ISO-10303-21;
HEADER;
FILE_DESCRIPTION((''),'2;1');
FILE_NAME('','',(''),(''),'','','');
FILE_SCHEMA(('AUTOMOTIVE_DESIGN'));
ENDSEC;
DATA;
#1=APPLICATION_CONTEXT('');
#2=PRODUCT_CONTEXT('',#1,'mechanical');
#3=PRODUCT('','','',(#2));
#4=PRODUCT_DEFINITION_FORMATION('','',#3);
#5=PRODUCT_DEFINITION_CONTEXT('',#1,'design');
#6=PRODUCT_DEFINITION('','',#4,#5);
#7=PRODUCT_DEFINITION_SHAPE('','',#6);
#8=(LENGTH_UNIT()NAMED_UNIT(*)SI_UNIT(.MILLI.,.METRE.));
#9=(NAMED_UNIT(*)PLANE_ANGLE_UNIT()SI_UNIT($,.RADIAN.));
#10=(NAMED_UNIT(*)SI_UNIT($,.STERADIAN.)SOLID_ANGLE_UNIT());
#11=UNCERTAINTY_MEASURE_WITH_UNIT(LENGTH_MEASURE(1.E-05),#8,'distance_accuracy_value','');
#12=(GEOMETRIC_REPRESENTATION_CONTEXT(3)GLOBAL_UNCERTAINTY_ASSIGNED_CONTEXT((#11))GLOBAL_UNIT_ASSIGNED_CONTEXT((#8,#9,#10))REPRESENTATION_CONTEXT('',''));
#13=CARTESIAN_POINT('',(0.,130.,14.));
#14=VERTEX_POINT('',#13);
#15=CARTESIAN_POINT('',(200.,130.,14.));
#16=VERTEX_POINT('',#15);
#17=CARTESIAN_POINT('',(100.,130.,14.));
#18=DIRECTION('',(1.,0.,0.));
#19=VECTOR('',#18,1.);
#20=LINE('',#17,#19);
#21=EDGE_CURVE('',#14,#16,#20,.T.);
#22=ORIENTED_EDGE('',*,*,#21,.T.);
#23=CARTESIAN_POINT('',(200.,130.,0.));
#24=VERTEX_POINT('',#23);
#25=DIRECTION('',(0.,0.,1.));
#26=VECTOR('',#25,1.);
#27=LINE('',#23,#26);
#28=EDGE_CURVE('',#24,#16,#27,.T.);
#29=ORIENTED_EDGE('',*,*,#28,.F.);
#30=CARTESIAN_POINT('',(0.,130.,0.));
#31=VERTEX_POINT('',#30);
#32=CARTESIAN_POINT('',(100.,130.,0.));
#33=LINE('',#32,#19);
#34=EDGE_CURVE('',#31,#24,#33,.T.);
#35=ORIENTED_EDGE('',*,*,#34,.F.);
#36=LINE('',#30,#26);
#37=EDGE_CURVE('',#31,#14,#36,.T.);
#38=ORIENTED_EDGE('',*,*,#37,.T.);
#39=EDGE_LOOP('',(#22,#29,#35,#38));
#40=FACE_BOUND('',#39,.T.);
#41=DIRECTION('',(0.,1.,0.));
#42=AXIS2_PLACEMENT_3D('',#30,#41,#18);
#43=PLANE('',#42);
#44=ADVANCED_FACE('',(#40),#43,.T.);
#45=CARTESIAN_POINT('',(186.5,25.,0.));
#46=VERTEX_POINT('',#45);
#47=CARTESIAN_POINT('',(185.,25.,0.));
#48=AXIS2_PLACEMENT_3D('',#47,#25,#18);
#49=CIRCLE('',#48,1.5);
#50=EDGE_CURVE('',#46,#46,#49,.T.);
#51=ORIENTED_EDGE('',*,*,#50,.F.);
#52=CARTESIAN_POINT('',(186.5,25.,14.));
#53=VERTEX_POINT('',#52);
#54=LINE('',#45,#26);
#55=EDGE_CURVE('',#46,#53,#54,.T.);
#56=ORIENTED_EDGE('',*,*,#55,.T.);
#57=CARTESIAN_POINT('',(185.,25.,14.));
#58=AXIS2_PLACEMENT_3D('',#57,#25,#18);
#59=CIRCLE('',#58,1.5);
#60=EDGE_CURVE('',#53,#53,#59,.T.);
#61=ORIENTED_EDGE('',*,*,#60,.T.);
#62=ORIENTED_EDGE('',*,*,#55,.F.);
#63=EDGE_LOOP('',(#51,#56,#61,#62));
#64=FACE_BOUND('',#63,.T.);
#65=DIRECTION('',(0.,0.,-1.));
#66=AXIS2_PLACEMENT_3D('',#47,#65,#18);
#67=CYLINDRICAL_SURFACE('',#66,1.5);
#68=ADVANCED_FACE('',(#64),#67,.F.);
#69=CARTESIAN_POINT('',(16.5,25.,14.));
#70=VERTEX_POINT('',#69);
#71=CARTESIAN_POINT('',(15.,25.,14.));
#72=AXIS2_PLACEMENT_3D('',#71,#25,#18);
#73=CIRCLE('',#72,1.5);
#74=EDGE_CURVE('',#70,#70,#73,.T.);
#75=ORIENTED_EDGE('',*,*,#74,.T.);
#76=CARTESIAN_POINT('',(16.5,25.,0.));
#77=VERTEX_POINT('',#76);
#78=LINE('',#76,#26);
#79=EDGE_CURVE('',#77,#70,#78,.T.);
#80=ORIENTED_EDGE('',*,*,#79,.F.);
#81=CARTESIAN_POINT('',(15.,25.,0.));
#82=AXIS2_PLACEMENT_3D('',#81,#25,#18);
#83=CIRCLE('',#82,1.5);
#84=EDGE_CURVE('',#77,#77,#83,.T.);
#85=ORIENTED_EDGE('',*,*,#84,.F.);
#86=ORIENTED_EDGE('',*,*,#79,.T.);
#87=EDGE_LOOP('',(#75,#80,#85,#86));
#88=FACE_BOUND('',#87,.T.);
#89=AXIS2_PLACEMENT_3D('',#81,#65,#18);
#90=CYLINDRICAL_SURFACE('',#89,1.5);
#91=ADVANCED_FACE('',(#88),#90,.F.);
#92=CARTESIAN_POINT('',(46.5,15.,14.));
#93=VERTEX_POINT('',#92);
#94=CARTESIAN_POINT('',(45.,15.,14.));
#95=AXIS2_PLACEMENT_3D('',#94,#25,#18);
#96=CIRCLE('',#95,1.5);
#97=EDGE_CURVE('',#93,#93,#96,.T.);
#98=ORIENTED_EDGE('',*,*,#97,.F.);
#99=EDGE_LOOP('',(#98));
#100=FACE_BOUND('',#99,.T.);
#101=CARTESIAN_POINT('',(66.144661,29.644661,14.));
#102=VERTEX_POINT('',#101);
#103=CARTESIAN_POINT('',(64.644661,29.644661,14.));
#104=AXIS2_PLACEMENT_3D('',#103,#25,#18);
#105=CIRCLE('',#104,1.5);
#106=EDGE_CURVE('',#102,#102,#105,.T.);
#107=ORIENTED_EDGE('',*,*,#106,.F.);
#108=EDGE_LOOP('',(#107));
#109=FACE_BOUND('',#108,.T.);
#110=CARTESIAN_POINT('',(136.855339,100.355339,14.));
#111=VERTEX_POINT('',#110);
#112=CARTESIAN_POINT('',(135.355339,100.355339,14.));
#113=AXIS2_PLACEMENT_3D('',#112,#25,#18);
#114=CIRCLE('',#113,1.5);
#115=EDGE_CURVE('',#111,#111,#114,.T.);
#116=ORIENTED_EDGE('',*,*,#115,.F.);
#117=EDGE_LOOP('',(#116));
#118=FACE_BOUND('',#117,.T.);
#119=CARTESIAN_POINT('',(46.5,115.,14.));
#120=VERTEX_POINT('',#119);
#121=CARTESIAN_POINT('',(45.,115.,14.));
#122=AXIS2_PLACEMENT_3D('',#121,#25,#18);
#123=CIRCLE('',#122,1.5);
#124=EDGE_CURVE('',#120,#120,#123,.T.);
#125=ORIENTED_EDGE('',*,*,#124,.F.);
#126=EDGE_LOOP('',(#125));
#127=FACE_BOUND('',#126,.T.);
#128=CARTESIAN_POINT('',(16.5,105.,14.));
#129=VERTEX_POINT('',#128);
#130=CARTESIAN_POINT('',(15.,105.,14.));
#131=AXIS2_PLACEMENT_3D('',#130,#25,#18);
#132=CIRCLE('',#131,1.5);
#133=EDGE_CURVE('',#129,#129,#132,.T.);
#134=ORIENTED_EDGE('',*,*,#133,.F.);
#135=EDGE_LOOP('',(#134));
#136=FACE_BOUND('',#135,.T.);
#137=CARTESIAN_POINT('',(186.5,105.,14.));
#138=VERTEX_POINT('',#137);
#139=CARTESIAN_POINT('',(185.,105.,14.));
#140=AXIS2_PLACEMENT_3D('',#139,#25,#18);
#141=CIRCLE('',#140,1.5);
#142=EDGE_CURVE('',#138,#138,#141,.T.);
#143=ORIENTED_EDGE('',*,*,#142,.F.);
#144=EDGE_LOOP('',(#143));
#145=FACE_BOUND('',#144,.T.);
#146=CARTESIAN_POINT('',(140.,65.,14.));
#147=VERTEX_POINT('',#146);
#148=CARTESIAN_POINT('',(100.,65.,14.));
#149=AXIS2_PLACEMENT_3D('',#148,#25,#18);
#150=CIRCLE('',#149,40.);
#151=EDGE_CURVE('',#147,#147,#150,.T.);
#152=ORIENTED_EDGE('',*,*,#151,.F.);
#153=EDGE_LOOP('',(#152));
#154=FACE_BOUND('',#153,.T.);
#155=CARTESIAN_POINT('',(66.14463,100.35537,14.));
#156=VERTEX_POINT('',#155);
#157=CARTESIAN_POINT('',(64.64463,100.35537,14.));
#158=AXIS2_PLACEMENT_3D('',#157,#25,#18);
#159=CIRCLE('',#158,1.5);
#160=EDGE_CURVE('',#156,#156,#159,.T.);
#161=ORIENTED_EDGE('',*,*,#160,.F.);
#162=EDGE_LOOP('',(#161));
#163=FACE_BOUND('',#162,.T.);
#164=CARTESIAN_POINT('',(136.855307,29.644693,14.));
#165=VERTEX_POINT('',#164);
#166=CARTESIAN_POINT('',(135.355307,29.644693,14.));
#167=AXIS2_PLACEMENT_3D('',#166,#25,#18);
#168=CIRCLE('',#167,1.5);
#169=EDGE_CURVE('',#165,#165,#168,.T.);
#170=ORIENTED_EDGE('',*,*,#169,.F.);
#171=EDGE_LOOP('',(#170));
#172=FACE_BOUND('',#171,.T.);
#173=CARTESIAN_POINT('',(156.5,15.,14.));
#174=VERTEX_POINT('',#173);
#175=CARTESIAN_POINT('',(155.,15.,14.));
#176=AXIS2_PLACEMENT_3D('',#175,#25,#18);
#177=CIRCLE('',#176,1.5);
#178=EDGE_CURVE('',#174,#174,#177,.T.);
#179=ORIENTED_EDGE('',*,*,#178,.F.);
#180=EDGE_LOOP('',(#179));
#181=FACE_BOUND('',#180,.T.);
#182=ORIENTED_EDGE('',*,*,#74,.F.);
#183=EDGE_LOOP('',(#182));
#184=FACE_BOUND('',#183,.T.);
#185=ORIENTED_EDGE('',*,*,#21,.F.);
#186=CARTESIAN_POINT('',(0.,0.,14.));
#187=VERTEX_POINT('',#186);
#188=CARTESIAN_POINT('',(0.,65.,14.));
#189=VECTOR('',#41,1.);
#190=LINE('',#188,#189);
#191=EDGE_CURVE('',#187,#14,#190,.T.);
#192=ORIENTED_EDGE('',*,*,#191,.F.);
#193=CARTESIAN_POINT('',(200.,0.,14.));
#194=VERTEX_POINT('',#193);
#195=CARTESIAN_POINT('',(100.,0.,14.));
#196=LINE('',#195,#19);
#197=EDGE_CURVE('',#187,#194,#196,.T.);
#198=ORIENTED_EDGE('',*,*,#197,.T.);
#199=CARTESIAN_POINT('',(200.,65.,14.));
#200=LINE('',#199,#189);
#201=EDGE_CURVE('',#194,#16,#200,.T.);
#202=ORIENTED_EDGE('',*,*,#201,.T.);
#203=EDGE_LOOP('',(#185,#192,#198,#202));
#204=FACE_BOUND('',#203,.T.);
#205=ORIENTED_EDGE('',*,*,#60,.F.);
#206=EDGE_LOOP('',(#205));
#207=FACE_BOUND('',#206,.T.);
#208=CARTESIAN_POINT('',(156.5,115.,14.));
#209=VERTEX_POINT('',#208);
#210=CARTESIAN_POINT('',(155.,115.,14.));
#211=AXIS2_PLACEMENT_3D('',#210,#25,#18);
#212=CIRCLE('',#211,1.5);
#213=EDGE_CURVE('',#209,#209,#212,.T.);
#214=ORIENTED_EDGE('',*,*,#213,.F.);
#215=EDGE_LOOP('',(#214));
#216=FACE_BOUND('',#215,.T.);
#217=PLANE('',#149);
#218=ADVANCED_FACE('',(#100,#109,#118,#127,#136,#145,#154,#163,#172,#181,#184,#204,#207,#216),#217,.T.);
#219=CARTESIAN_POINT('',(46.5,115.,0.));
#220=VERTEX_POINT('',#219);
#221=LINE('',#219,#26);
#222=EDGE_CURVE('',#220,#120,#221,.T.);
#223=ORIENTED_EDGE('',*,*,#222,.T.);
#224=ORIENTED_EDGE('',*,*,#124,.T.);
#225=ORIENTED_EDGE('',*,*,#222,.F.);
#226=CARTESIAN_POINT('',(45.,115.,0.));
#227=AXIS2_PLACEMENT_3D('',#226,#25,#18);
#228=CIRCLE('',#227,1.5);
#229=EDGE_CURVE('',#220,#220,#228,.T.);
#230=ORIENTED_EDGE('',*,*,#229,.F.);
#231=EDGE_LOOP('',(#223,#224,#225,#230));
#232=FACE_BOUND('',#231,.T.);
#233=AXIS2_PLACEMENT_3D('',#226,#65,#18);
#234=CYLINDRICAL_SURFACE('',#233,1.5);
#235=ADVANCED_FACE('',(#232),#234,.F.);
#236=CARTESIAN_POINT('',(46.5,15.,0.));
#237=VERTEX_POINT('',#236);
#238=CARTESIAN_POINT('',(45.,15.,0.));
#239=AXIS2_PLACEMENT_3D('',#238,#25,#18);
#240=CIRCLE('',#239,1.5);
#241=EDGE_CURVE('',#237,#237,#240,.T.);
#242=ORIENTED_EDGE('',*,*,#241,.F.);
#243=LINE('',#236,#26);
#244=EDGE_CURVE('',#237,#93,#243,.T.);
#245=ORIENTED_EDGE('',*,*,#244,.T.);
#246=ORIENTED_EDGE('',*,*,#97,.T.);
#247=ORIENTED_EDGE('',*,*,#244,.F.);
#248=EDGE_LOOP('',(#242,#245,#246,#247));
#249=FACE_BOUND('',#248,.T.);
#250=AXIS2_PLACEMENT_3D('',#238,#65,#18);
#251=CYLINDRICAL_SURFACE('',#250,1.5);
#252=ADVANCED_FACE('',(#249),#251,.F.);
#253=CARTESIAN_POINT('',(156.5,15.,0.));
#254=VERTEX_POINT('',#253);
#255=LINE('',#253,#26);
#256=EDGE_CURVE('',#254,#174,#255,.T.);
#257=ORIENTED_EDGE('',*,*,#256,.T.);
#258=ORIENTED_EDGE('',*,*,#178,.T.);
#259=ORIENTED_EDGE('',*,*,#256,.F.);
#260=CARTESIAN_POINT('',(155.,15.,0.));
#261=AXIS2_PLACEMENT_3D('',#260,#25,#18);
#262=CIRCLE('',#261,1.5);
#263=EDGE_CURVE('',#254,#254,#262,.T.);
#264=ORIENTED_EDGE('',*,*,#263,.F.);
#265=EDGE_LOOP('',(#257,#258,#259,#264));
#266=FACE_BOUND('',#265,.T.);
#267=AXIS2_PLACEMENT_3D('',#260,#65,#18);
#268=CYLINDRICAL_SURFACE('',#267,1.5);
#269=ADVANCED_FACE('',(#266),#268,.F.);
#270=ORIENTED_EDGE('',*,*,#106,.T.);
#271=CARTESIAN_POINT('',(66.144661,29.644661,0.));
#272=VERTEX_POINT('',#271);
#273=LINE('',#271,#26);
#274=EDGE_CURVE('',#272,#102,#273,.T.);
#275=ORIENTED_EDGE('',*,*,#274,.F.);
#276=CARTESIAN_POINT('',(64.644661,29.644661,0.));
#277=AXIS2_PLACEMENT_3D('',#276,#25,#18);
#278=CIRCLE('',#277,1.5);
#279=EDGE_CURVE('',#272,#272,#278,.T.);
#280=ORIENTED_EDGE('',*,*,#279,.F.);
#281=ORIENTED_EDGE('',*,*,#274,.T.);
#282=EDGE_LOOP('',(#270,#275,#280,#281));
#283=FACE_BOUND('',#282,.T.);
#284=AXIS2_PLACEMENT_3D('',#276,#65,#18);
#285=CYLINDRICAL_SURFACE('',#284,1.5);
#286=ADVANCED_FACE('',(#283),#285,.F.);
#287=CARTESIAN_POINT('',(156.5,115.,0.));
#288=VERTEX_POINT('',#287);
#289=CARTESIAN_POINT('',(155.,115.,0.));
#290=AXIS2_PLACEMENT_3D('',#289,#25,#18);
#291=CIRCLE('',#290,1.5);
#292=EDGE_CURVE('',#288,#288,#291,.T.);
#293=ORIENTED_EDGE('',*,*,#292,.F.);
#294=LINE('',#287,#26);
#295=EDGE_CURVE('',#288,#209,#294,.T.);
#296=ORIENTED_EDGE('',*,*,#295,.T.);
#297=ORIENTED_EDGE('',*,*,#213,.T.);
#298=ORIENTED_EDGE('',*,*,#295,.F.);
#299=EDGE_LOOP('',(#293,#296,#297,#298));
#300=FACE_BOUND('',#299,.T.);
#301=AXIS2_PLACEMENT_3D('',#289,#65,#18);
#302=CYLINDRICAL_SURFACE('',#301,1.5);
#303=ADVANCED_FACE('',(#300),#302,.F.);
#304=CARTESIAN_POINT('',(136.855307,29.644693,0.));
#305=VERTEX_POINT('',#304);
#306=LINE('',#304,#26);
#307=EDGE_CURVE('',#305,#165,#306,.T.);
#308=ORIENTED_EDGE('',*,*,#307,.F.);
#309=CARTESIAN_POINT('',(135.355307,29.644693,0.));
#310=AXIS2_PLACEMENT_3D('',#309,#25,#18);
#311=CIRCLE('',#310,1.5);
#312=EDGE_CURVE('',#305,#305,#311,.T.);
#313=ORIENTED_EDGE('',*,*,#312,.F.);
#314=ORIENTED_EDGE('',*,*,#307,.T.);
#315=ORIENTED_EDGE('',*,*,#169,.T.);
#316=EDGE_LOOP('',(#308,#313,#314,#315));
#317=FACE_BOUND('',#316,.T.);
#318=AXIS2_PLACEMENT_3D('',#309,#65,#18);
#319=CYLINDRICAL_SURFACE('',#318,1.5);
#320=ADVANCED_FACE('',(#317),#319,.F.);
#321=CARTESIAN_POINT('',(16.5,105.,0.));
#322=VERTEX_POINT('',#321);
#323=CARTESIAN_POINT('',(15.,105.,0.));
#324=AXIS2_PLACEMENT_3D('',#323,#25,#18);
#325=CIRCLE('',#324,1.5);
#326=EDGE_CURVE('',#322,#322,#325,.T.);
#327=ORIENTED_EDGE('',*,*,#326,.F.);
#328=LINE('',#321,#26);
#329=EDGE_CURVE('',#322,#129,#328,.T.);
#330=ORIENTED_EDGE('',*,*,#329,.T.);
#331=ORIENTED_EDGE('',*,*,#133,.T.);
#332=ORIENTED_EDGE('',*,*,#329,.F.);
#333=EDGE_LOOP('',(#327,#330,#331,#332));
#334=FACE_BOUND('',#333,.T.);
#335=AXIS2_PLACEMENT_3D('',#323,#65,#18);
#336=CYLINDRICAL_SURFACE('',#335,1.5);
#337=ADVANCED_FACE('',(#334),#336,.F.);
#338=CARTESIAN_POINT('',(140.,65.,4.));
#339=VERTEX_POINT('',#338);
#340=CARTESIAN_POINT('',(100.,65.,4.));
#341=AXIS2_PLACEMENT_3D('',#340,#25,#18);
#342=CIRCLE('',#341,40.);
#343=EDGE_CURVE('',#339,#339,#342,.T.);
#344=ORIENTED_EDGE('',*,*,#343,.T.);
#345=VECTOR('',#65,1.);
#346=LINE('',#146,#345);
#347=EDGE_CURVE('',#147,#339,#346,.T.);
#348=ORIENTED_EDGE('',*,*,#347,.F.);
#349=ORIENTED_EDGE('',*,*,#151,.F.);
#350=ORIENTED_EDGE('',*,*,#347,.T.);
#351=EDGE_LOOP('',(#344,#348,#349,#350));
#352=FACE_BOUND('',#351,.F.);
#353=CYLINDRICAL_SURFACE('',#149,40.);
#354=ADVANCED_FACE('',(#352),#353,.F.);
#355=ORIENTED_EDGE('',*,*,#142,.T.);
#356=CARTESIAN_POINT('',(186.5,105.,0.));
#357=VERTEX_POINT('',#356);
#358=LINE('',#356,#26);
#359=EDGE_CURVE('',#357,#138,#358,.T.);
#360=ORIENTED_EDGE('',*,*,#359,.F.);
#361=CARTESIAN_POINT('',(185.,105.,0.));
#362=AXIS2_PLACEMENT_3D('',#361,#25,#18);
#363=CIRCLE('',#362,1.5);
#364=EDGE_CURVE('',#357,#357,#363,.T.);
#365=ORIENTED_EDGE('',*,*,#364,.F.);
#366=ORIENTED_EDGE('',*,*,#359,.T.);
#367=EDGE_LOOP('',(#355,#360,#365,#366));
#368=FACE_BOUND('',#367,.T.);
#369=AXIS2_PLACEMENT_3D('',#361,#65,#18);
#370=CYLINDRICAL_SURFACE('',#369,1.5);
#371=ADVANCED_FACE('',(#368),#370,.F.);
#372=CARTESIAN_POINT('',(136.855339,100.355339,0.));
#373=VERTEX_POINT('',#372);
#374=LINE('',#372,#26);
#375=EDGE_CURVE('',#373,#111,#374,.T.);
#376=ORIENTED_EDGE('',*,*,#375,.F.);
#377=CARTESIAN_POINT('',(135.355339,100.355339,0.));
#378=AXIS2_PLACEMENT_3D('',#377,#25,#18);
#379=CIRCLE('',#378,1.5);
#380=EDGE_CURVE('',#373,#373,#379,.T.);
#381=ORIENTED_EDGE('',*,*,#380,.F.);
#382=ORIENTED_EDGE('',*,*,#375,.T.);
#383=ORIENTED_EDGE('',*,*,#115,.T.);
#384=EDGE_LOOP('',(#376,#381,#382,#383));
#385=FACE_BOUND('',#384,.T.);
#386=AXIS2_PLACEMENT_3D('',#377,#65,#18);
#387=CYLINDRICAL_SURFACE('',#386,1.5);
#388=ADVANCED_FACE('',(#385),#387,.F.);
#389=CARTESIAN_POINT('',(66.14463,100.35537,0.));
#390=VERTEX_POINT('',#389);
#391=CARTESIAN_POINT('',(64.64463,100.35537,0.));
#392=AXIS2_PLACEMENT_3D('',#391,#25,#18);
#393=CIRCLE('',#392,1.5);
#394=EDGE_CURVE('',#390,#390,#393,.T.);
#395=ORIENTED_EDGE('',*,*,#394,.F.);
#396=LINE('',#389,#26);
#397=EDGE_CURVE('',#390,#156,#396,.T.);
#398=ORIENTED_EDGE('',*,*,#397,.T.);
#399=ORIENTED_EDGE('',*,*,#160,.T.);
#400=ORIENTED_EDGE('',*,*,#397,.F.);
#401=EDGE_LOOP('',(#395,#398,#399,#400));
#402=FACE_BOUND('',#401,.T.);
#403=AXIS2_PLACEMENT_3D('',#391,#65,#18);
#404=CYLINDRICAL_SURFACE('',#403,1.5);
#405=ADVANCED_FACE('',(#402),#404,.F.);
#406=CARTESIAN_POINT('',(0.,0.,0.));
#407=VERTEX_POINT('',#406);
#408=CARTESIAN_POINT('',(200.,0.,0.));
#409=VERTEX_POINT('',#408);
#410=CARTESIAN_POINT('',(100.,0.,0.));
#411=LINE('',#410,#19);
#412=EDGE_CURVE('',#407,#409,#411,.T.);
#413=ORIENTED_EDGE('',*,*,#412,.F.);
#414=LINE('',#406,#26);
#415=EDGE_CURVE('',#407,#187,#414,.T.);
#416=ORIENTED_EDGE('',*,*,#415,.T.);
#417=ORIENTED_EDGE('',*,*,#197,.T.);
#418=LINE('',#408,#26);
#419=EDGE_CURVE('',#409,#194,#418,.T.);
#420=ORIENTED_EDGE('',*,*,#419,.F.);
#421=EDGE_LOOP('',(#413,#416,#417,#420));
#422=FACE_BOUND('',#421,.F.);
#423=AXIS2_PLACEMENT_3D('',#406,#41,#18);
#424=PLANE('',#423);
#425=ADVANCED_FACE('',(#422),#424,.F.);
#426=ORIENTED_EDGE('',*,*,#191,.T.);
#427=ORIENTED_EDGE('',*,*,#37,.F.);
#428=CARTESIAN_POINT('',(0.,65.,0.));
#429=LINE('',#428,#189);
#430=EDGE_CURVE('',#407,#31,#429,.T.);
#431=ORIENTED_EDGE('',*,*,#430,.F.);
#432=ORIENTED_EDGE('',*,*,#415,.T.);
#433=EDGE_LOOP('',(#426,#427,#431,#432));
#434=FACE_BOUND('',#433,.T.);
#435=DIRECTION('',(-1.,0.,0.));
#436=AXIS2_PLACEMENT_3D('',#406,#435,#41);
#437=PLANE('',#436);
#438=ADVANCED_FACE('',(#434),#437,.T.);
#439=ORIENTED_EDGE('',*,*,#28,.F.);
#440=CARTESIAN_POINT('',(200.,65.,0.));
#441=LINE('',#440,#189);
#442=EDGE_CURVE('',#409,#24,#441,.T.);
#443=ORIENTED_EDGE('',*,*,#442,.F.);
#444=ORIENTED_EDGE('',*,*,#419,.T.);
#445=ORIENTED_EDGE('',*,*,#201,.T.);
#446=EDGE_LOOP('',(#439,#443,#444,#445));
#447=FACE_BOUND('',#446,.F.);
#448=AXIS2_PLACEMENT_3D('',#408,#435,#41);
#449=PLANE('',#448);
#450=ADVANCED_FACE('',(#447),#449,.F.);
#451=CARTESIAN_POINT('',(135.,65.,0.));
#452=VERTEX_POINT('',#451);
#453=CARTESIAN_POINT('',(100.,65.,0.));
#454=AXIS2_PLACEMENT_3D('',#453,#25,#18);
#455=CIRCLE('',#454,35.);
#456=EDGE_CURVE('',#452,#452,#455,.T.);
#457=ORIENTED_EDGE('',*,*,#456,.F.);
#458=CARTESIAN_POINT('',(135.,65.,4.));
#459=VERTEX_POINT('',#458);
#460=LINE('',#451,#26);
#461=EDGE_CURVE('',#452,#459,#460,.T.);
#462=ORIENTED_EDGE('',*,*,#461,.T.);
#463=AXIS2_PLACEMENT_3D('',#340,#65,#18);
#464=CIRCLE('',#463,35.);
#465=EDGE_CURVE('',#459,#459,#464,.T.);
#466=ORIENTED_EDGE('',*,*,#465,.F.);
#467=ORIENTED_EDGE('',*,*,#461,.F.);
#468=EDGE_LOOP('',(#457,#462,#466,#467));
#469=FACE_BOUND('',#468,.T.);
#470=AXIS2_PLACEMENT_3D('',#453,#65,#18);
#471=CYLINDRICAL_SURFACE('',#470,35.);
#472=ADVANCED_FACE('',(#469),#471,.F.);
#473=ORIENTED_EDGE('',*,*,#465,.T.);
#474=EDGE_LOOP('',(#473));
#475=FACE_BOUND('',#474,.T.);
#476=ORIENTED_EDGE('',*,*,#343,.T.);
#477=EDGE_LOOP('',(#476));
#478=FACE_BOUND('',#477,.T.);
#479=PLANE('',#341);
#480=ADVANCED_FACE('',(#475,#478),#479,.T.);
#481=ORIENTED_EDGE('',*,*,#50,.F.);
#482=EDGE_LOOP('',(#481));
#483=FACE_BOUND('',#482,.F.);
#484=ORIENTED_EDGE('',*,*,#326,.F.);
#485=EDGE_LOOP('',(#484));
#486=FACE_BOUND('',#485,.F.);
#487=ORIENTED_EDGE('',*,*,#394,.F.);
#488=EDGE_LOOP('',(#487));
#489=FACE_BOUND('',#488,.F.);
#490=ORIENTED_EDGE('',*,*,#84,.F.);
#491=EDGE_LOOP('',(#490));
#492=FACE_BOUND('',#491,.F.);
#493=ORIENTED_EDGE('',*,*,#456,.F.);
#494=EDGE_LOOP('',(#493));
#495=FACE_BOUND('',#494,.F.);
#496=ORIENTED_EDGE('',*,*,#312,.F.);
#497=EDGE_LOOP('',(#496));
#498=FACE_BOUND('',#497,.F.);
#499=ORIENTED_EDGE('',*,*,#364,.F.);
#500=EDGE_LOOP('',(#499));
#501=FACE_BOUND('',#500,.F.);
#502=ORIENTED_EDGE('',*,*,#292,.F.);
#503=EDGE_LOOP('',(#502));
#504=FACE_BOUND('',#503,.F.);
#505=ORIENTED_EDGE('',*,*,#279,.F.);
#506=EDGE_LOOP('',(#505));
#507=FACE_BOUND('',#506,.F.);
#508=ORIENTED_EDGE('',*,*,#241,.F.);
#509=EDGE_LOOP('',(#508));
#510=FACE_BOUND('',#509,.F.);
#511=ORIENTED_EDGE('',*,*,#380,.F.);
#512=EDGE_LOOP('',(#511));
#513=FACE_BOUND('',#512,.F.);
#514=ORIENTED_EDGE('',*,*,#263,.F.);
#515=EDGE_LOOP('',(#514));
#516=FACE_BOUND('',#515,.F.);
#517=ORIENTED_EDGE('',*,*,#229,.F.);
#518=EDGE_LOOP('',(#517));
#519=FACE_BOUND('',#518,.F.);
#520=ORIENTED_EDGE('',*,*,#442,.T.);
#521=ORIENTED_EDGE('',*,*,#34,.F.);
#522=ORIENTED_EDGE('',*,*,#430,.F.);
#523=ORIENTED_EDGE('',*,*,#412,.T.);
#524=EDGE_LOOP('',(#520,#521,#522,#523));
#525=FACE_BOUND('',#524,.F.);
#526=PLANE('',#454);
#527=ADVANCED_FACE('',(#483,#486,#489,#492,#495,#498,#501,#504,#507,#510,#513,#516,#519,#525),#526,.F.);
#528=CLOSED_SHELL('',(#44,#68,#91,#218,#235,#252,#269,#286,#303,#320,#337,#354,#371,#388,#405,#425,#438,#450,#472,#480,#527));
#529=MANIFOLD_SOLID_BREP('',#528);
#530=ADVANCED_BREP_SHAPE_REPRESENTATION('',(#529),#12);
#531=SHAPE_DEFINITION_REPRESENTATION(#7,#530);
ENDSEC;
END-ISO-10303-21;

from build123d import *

# Parameters (mm, degrees)
SKETCH_W     = 200
SKETCH_H     = 130
SKETCH_R     = 35
SKETCH_R_2   = 1.5
PAD_DEPTH    = 14
SKETCH001_R  = 40
POCKET_DEPTH = 10


with BuildPart() as part:
    # Sketch → Pad (new body)
    with BuildSketch(Plane.XY):
        with Locations((100, 65)):
            Rectangle(SKETCH_W, SKETCH_H)
        with Locations((100, 65)):
            Circle(SKETCH_R, mode=Mode.SUBTRACT)
        with Locations((45, 115)):
            Circle(SKETCH_R_2, mode=Mode.SUBTRACT)
        with Locations((45, 15)):
            Circle(SKETCH_R_2, mode=Mode.SUBTRACT)
        with Locations((155, 115)):
            Circle(SKETCH_R_2, mode=Mode.SUBTRACT)
        with Locations((155, 15)):
            Circle(SKETCH_R_2, mode=Mode.SUBTRACT)
        with Locations((15, 105)):
            Circle(SKETCH_R_2, mode=Mode.SUBTRACT)
        with Locations((15, 25)):
            Circle(SKETCH_R_2, mode=Mode.SUBTRACT)
        with Locations((185, 105)):
            Circle(SKETCH_R_2, mode=Mode.SUBTRACT)
        with Locations((185, 25)):
            Circle(SKETCH_R_2, mode=Mode.SUBTRACT)
        with Locations((135.355339, 100.355339)):
            Circle(SKETCH_R_2, mode=Mode.SUBTRACT)
        with Locations((64.644661, 29.644661)):
            Circle(SKETCH_R_2, mode=Mode.SUBTRACT)
        with Locations((64.64463, 100.35537)):
            Circle(SKETCH_R_2, mode=Mode.SUBTRACT)
        with Locations((135.355307, 29.644693)):
            Circle(SKETCH_R_2, mode=Mode.SUBTRACT)
    extrude(amount=PAD_DEPTH)

    # Sketch001 (on Face19 of Pad) → Pocket (cut)
    with BuildSketch(Plane.XY.offset(14)):
        with Locations((100, 65)):
            Circle(SKETCH001_R)
    extrude(amount=-POCKET_DEPTH, mode=Mode.SUBTRACT)


solid = part.part
